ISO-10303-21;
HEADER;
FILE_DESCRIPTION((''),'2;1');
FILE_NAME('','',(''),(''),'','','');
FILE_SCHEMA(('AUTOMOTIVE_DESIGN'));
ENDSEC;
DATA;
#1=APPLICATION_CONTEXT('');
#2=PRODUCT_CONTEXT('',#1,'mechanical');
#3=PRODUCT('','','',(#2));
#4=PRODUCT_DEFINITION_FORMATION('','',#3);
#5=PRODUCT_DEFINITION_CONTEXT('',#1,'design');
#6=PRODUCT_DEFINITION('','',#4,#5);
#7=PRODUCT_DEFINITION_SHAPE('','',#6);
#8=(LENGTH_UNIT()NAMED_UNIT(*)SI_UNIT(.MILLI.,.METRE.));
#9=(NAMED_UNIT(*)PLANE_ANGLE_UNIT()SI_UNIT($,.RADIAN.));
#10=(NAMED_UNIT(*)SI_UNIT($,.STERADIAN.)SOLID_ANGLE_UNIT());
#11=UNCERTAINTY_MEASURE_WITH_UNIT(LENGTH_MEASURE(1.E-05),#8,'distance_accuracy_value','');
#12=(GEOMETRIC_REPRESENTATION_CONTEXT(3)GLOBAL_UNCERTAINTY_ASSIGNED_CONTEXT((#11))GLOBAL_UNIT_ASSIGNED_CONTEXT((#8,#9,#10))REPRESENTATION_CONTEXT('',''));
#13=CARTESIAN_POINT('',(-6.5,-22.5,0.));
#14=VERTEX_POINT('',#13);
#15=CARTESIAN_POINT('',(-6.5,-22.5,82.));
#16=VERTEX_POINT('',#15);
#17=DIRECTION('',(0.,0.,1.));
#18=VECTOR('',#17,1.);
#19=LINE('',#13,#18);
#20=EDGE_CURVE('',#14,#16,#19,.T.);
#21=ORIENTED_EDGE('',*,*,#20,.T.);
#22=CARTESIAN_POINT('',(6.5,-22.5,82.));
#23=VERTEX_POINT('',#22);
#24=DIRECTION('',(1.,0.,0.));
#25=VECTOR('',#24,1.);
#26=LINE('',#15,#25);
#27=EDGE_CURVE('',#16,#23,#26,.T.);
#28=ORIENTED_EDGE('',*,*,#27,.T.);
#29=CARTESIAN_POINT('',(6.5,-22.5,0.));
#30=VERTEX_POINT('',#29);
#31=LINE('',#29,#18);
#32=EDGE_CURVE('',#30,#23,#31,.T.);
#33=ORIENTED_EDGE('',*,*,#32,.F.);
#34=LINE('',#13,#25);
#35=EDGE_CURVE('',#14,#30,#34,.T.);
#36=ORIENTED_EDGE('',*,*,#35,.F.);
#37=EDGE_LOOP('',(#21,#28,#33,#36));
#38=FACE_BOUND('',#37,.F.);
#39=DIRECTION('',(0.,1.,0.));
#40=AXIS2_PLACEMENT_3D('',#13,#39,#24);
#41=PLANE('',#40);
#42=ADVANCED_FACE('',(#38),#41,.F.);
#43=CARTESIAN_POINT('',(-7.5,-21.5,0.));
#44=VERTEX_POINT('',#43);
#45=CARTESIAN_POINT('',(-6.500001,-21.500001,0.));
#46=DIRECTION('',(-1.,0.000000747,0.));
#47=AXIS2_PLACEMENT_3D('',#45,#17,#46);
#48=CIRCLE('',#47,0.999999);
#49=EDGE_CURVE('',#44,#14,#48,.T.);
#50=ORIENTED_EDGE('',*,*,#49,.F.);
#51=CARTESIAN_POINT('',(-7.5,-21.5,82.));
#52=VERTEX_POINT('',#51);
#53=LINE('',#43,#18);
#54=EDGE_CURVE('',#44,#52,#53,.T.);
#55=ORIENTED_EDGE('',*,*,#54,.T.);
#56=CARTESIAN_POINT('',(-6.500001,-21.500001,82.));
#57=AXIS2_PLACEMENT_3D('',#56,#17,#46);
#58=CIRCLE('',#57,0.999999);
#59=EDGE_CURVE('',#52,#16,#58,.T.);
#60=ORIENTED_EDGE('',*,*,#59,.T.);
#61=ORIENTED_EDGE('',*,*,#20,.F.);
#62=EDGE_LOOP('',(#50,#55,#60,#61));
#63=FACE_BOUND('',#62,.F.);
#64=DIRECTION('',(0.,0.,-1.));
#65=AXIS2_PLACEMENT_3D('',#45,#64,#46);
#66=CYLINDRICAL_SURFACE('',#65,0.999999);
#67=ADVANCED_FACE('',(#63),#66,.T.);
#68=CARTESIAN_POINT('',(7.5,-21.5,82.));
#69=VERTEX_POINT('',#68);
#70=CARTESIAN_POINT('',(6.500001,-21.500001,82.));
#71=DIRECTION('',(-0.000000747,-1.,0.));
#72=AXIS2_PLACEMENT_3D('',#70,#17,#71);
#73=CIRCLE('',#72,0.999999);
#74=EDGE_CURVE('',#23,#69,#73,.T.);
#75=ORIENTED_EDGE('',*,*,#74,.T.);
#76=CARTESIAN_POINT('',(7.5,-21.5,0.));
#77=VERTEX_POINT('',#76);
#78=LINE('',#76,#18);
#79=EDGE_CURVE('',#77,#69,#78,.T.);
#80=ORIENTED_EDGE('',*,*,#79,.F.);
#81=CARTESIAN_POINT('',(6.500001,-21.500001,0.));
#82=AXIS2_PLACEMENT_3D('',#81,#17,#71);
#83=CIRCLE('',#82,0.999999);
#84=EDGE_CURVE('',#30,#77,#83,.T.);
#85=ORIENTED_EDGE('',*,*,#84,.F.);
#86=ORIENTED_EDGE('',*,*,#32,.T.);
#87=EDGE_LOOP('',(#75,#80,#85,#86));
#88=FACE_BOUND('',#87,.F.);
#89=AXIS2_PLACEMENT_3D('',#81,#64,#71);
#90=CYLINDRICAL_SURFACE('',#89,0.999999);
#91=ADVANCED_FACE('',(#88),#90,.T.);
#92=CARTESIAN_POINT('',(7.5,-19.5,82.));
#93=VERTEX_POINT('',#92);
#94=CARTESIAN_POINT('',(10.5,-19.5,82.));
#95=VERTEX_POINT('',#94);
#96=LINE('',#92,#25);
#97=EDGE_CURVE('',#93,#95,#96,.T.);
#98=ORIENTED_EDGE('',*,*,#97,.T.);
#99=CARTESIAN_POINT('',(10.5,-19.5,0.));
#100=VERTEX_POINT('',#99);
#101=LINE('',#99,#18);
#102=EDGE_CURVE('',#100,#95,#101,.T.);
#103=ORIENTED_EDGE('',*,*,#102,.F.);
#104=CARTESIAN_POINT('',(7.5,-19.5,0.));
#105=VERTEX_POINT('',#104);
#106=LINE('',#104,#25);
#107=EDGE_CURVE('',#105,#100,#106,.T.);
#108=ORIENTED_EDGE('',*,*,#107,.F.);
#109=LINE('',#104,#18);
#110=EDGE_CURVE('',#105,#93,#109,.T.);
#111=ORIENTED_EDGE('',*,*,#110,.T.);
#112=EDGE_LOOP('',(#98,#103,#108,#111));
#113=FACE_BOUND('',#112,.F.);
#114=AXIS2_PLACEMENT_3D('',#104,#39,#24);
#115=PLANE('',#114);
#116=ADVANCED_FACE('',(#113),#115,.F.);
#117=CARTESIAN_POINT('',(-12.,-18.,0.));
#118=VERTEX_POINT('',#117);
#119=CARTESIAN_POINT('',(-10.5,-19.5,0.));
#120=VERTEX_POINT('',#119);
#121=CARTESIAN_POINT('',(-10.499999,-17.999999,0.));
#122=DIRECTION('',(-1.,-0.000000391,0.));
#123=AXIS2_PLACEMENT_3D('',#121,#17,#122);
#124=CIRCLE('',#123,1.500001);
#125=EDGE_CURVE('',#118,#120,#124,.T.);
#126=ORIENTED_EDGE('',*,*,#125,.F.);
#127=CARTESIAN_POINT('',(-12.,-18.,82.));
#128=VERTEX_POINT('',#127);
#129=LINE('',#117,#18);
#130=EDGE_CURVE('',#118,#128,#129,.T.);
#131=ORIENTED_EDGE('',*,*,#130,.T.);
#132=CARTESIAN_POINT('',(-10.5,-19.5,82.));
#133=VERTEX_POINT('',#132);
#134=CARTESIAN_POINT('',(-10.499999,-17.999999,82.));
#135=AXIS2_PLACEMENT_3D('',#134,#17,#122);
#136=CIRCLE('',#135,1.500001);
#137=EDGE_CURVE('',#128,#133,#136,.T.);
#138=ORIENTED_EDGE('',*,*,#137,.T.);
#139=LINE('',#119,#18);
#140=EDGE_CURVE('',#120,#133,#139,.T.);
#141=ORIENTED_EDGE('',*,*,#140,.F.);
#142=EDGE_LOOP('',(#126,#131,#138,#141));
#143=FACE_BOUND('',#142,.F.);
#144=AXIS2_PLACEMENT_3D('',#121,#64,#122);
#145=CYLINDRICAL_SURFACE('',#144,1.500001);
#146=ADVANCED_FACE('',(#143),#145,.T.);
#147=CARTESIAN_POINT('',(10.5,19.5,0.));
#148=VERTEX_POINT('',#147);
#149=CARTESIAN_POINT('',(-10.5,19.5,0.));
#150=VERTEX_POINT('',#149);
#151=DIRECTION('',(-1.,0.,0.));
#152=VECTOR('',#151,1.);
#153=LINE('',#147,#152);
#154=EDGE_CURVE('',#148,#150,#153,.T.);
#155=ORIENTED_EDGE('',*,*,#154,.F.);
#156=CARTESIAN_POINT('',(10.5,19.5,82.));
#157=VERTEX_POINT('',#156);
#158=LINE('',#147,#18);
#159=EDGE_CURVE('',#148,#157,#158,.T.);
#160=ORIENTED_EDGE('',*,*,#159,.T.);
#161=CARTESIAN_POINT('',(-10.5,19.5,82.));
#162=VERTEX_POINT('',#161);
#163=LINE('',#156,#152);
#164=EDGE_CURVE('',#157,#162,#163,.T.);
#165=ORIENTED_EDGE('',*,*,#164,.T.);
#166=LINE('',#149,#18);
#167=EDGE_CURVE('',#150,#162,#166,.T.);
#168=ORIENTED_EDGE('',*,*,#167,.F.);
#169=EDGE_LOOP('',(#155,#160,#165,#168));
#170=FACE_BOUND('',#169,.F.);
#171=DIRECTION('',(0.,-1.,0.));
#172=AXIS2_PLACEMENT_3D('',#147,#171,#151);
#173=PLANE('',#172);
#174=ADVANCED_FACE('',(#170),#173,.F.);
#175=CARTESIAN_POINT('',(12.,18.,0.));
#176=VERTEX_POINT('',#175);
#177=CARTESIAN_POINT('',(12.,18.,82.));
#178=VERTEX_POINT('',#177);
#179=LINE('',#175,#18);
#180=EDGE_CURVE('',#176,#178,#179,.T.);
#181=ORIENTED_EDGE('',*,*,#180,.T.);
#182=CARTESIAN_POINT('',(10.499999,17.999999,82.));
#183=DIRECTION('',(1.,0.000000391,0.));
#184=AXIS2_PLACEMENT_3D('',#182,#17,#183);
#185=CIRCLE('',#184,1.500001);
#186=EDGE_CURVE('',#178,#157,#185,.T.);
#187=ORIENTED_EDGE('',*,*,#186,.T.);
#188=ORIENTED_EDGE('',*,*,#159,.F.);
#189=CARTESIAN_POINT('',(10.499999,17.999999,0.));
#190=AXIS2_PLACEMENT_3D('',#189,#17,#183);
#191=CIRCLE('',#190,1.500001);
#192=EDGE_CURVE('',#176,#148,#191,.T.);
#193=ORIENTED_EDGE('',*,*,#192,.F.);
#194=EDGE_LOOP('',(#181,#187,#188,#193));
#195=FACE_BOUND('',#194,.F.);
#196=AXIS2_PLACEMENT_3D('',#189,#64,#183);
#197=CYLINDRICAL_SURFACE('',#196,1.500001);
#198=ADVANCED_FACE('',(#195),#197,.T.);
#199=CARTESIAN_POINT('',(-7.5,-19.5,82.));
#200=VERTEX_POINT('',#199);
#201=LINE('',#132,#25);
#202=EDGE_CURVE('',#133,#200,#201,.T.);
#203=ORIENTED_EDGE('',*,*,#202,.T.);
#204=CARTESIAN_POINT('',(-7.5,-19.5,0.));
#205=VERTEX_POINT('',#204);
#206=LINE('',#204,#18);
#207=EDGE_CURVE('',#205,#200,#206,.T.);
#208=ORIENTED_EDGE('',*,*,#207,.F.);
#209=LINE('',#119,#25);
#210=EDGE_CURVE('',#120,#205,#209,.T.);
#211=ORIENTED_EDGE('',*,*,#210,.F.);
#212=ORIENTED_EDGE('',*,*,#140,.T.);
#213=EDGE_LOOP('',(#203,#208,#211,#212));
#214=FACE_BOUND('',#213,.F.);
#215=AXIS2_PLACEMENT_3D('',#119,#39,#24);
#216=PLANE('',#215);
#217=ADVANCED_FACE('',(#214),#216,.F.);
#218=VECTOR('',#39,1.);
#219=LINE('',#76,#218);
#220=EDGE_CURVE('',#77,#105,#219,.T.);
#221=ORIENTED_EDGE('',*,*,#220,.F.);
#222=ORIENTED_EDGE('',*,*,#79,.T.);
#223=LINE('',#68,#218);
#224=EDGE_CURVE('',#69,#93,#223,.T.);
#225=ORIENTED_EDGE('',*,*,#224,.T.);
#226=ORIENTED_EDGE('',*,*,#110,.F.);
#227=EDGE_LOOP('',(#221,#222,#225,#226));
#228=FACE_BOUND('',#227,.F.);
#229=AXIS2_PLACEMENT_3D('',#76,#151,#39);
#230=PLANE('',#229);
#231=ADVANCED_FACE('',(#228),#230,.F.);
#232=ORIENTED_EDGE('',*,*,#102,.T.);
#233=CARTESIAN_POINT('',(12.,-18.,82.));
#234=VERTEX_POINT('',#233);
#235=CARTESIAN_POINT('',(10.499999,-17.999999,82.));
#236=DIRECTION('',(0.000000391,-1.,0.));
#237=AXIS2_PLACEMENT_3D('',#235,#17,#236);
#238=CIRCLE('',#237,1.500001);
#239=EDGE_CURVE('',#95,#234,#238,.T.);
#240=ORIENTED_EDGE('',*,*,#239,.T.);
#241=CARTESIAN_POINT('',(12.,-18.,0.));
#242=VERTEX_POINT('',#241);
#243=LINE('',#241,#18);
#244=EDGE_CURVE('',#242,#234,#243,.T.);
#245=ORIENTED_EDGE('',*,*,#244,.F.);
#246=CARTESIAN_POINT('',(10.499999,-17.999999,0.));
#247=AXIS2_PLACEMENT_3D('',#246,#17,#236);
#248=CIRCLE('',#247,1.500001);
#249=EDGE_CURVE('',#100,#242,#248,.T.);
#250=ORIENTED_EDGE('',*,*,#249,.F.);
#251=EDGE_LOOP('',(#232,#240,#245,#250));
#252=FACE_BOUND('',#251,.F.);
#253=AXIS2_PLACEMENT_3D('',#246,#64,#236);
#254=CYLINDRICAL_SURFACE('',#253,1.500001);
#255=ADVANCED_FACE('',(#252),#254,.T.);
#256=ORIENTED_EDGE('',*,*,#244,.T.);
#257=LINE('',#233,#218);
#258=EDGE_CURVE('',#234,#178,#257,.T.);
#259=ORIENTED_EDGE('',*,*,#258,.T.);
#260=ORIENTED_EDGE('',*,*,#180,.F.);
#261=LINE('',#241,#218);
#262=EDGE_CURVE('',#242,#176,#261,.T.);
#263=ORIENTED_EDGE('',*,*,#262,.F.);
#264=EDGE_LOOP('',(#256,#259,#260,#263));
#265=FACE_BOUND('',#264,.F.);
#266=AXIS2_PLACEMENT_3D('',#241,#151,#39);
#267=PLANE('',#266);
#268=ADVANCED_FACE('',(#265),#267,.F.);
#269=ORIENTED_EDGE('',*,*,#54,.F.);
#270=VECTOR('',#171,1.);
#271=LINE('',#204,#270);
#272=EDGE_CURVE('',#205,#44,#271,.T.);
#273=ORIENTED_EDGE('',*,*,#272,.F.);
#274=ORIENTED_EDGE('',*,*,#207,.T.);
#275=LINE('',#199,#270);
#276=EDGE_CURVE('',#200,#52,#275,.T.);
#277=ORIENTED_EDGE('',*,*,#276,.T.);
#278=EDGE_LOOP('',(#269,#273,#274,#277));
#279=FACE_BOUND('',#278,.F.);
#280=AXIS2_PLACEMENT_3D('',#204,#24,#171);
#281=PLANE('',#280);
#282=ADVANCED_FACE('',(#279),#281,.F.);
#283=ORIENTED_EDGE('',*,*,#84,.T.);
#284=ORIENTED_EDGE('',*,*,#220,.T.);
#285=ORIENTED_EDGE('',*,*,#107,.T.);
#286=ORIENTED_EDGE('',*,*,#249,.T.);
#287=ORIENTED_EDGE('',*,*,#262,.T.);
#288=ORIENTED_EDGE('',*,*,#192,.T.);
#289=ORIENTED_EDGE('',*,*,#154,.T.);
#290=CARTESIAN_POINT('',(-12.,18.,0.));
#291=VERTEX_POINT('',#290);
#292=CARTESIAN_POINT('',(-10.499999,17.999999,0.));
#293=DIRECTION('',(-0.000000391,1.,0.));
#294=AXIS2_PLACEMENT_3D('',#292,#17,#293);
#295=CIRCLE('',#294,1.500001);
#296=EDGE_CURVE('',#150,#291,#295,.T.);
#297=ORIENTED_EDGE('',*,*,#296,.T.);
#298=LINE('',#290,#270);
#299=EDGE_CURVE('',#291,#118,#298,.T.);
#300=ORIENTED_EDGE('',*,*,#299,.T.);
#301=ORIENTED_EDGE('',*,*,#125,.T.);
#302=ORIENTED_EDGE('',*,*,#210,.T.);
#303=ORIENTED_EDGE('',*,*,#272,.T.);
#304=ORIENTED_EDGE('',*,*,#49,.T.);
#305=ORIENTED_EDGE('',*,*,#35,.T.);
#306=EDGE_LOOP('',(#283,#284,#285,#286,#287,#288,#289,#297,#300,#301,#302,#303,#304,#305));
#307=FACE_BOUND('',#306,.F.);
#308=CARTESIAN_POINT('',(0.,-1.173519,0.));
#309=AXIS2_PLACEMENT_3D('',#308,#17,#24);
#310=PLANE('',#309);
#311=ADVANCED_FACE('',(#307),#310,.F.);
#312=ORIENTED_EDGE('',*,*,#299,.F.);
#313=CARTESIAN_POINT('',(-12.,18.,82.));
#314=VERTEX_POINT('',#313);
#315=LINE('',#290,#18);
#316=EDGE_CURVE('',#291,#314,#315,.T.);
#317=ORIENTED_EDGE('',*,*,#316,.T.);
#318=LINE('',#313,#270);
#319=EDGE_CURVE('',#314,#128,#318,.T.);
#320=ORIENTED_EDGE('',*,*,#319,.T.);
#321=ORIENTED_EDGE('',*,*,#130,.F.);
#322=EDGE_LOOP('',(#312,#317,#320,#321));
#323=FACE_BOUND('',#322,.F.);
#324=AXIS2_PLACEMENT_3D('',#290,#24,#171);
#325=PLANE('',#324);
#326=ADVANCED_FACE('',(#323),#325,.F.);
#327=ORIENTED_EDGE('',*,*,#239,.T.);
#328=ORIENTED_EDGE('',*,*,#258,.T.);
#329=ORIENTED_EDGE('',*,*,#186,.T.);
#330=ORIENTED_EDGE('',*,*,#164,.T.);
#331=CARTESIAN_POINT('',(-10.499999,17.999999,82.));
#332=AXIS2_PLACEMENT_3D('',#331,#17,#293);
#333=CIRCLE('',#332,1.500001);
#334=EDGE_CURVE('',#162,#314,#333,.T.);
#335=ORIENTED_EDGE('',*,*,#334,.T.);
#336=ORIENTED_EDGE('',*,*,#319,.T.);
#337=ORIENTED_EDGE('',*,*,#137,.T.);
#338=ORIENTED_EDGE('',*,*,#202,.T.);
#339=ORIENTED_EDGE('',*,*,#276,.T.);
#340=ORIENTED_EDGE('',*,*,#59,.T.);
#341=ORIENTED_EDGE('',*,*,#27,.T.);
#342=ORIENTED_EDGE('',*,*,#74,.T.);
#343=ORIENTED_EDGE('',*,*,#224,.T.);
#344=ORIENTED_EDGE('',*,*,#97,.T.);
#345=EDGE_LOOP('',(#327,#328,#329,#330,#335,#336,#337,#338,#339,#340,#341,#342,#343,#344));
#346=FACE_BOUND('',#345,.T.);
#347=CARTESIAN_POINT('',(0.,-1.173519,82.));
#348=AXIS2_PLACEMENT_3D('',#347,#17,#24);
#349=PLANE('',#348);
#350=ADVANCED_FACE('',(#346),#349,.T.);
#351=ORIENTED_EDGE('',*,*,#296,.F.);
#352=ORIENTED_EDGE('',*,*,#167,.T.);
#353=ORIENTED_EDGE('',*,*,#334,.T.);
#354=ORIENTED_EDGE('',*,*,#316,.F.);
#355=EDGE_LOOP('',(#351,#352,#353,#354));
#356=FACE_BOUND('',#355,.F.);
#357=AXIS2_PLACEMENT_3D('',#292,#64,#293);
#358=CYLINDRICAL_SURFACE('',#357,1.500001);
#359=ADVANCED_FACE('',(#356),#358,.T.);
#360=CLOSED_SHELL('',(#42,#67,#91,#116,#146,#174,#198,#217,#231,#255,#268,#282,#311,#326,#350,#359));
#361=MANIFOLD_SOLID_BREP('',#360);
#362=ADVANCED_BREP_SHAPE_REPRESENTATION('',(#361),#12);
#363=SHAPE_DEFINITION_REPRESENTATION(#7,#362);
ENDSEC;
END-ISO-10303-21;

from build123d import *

# Parameters (mm, degrees)
F1_DEPTH = 82


with BuildPart() as f1:
    # F0 (on Top) → F1 (new body)
    with BuildSketch(Plane.XY):
        with BuildLine():
            Line((10.5, 19.5), (-10.5, 19.5))
            ThreePointArc((-10.5, 19.5), (-11.56066, 19.06066), (-12, 18))
            Line((-12, 18), (-12, -18))
            ThreePointArc((-12, -18), (-11.56066, -19.06066), (-10.5, -19.5))
            Line((-10.5, -19.5), (-7.5, -19.5))
            Line((-7.5, -19.5), (-7.5, -21.5))
            ThreePointArc((-7.5, -21.5), (-7.207107, -22.207107), (-6.5, -22.5))
            Line((-6.5, -22.5), (6.5, -22.5))
            ThreePointArc((6.5, -22.5), (7.207107, -22.207107), (7.5, -21.5))
            Line((7.5, -21.5), (7.5, -19.5))
            Line((7.5, -19.5), (10.5, -19.5))
            ThreePointArc((10.5, -19.5), (11.56066, -19.06066), (12, -18))
            Line((12, -18), (12, 18))
            ThreePointArc((12, 18), (11.56066, 19.06066), (10.5, 19.5))
        make_face()
    extrude(amount=F1_DEPTH)


solid = f1.part
